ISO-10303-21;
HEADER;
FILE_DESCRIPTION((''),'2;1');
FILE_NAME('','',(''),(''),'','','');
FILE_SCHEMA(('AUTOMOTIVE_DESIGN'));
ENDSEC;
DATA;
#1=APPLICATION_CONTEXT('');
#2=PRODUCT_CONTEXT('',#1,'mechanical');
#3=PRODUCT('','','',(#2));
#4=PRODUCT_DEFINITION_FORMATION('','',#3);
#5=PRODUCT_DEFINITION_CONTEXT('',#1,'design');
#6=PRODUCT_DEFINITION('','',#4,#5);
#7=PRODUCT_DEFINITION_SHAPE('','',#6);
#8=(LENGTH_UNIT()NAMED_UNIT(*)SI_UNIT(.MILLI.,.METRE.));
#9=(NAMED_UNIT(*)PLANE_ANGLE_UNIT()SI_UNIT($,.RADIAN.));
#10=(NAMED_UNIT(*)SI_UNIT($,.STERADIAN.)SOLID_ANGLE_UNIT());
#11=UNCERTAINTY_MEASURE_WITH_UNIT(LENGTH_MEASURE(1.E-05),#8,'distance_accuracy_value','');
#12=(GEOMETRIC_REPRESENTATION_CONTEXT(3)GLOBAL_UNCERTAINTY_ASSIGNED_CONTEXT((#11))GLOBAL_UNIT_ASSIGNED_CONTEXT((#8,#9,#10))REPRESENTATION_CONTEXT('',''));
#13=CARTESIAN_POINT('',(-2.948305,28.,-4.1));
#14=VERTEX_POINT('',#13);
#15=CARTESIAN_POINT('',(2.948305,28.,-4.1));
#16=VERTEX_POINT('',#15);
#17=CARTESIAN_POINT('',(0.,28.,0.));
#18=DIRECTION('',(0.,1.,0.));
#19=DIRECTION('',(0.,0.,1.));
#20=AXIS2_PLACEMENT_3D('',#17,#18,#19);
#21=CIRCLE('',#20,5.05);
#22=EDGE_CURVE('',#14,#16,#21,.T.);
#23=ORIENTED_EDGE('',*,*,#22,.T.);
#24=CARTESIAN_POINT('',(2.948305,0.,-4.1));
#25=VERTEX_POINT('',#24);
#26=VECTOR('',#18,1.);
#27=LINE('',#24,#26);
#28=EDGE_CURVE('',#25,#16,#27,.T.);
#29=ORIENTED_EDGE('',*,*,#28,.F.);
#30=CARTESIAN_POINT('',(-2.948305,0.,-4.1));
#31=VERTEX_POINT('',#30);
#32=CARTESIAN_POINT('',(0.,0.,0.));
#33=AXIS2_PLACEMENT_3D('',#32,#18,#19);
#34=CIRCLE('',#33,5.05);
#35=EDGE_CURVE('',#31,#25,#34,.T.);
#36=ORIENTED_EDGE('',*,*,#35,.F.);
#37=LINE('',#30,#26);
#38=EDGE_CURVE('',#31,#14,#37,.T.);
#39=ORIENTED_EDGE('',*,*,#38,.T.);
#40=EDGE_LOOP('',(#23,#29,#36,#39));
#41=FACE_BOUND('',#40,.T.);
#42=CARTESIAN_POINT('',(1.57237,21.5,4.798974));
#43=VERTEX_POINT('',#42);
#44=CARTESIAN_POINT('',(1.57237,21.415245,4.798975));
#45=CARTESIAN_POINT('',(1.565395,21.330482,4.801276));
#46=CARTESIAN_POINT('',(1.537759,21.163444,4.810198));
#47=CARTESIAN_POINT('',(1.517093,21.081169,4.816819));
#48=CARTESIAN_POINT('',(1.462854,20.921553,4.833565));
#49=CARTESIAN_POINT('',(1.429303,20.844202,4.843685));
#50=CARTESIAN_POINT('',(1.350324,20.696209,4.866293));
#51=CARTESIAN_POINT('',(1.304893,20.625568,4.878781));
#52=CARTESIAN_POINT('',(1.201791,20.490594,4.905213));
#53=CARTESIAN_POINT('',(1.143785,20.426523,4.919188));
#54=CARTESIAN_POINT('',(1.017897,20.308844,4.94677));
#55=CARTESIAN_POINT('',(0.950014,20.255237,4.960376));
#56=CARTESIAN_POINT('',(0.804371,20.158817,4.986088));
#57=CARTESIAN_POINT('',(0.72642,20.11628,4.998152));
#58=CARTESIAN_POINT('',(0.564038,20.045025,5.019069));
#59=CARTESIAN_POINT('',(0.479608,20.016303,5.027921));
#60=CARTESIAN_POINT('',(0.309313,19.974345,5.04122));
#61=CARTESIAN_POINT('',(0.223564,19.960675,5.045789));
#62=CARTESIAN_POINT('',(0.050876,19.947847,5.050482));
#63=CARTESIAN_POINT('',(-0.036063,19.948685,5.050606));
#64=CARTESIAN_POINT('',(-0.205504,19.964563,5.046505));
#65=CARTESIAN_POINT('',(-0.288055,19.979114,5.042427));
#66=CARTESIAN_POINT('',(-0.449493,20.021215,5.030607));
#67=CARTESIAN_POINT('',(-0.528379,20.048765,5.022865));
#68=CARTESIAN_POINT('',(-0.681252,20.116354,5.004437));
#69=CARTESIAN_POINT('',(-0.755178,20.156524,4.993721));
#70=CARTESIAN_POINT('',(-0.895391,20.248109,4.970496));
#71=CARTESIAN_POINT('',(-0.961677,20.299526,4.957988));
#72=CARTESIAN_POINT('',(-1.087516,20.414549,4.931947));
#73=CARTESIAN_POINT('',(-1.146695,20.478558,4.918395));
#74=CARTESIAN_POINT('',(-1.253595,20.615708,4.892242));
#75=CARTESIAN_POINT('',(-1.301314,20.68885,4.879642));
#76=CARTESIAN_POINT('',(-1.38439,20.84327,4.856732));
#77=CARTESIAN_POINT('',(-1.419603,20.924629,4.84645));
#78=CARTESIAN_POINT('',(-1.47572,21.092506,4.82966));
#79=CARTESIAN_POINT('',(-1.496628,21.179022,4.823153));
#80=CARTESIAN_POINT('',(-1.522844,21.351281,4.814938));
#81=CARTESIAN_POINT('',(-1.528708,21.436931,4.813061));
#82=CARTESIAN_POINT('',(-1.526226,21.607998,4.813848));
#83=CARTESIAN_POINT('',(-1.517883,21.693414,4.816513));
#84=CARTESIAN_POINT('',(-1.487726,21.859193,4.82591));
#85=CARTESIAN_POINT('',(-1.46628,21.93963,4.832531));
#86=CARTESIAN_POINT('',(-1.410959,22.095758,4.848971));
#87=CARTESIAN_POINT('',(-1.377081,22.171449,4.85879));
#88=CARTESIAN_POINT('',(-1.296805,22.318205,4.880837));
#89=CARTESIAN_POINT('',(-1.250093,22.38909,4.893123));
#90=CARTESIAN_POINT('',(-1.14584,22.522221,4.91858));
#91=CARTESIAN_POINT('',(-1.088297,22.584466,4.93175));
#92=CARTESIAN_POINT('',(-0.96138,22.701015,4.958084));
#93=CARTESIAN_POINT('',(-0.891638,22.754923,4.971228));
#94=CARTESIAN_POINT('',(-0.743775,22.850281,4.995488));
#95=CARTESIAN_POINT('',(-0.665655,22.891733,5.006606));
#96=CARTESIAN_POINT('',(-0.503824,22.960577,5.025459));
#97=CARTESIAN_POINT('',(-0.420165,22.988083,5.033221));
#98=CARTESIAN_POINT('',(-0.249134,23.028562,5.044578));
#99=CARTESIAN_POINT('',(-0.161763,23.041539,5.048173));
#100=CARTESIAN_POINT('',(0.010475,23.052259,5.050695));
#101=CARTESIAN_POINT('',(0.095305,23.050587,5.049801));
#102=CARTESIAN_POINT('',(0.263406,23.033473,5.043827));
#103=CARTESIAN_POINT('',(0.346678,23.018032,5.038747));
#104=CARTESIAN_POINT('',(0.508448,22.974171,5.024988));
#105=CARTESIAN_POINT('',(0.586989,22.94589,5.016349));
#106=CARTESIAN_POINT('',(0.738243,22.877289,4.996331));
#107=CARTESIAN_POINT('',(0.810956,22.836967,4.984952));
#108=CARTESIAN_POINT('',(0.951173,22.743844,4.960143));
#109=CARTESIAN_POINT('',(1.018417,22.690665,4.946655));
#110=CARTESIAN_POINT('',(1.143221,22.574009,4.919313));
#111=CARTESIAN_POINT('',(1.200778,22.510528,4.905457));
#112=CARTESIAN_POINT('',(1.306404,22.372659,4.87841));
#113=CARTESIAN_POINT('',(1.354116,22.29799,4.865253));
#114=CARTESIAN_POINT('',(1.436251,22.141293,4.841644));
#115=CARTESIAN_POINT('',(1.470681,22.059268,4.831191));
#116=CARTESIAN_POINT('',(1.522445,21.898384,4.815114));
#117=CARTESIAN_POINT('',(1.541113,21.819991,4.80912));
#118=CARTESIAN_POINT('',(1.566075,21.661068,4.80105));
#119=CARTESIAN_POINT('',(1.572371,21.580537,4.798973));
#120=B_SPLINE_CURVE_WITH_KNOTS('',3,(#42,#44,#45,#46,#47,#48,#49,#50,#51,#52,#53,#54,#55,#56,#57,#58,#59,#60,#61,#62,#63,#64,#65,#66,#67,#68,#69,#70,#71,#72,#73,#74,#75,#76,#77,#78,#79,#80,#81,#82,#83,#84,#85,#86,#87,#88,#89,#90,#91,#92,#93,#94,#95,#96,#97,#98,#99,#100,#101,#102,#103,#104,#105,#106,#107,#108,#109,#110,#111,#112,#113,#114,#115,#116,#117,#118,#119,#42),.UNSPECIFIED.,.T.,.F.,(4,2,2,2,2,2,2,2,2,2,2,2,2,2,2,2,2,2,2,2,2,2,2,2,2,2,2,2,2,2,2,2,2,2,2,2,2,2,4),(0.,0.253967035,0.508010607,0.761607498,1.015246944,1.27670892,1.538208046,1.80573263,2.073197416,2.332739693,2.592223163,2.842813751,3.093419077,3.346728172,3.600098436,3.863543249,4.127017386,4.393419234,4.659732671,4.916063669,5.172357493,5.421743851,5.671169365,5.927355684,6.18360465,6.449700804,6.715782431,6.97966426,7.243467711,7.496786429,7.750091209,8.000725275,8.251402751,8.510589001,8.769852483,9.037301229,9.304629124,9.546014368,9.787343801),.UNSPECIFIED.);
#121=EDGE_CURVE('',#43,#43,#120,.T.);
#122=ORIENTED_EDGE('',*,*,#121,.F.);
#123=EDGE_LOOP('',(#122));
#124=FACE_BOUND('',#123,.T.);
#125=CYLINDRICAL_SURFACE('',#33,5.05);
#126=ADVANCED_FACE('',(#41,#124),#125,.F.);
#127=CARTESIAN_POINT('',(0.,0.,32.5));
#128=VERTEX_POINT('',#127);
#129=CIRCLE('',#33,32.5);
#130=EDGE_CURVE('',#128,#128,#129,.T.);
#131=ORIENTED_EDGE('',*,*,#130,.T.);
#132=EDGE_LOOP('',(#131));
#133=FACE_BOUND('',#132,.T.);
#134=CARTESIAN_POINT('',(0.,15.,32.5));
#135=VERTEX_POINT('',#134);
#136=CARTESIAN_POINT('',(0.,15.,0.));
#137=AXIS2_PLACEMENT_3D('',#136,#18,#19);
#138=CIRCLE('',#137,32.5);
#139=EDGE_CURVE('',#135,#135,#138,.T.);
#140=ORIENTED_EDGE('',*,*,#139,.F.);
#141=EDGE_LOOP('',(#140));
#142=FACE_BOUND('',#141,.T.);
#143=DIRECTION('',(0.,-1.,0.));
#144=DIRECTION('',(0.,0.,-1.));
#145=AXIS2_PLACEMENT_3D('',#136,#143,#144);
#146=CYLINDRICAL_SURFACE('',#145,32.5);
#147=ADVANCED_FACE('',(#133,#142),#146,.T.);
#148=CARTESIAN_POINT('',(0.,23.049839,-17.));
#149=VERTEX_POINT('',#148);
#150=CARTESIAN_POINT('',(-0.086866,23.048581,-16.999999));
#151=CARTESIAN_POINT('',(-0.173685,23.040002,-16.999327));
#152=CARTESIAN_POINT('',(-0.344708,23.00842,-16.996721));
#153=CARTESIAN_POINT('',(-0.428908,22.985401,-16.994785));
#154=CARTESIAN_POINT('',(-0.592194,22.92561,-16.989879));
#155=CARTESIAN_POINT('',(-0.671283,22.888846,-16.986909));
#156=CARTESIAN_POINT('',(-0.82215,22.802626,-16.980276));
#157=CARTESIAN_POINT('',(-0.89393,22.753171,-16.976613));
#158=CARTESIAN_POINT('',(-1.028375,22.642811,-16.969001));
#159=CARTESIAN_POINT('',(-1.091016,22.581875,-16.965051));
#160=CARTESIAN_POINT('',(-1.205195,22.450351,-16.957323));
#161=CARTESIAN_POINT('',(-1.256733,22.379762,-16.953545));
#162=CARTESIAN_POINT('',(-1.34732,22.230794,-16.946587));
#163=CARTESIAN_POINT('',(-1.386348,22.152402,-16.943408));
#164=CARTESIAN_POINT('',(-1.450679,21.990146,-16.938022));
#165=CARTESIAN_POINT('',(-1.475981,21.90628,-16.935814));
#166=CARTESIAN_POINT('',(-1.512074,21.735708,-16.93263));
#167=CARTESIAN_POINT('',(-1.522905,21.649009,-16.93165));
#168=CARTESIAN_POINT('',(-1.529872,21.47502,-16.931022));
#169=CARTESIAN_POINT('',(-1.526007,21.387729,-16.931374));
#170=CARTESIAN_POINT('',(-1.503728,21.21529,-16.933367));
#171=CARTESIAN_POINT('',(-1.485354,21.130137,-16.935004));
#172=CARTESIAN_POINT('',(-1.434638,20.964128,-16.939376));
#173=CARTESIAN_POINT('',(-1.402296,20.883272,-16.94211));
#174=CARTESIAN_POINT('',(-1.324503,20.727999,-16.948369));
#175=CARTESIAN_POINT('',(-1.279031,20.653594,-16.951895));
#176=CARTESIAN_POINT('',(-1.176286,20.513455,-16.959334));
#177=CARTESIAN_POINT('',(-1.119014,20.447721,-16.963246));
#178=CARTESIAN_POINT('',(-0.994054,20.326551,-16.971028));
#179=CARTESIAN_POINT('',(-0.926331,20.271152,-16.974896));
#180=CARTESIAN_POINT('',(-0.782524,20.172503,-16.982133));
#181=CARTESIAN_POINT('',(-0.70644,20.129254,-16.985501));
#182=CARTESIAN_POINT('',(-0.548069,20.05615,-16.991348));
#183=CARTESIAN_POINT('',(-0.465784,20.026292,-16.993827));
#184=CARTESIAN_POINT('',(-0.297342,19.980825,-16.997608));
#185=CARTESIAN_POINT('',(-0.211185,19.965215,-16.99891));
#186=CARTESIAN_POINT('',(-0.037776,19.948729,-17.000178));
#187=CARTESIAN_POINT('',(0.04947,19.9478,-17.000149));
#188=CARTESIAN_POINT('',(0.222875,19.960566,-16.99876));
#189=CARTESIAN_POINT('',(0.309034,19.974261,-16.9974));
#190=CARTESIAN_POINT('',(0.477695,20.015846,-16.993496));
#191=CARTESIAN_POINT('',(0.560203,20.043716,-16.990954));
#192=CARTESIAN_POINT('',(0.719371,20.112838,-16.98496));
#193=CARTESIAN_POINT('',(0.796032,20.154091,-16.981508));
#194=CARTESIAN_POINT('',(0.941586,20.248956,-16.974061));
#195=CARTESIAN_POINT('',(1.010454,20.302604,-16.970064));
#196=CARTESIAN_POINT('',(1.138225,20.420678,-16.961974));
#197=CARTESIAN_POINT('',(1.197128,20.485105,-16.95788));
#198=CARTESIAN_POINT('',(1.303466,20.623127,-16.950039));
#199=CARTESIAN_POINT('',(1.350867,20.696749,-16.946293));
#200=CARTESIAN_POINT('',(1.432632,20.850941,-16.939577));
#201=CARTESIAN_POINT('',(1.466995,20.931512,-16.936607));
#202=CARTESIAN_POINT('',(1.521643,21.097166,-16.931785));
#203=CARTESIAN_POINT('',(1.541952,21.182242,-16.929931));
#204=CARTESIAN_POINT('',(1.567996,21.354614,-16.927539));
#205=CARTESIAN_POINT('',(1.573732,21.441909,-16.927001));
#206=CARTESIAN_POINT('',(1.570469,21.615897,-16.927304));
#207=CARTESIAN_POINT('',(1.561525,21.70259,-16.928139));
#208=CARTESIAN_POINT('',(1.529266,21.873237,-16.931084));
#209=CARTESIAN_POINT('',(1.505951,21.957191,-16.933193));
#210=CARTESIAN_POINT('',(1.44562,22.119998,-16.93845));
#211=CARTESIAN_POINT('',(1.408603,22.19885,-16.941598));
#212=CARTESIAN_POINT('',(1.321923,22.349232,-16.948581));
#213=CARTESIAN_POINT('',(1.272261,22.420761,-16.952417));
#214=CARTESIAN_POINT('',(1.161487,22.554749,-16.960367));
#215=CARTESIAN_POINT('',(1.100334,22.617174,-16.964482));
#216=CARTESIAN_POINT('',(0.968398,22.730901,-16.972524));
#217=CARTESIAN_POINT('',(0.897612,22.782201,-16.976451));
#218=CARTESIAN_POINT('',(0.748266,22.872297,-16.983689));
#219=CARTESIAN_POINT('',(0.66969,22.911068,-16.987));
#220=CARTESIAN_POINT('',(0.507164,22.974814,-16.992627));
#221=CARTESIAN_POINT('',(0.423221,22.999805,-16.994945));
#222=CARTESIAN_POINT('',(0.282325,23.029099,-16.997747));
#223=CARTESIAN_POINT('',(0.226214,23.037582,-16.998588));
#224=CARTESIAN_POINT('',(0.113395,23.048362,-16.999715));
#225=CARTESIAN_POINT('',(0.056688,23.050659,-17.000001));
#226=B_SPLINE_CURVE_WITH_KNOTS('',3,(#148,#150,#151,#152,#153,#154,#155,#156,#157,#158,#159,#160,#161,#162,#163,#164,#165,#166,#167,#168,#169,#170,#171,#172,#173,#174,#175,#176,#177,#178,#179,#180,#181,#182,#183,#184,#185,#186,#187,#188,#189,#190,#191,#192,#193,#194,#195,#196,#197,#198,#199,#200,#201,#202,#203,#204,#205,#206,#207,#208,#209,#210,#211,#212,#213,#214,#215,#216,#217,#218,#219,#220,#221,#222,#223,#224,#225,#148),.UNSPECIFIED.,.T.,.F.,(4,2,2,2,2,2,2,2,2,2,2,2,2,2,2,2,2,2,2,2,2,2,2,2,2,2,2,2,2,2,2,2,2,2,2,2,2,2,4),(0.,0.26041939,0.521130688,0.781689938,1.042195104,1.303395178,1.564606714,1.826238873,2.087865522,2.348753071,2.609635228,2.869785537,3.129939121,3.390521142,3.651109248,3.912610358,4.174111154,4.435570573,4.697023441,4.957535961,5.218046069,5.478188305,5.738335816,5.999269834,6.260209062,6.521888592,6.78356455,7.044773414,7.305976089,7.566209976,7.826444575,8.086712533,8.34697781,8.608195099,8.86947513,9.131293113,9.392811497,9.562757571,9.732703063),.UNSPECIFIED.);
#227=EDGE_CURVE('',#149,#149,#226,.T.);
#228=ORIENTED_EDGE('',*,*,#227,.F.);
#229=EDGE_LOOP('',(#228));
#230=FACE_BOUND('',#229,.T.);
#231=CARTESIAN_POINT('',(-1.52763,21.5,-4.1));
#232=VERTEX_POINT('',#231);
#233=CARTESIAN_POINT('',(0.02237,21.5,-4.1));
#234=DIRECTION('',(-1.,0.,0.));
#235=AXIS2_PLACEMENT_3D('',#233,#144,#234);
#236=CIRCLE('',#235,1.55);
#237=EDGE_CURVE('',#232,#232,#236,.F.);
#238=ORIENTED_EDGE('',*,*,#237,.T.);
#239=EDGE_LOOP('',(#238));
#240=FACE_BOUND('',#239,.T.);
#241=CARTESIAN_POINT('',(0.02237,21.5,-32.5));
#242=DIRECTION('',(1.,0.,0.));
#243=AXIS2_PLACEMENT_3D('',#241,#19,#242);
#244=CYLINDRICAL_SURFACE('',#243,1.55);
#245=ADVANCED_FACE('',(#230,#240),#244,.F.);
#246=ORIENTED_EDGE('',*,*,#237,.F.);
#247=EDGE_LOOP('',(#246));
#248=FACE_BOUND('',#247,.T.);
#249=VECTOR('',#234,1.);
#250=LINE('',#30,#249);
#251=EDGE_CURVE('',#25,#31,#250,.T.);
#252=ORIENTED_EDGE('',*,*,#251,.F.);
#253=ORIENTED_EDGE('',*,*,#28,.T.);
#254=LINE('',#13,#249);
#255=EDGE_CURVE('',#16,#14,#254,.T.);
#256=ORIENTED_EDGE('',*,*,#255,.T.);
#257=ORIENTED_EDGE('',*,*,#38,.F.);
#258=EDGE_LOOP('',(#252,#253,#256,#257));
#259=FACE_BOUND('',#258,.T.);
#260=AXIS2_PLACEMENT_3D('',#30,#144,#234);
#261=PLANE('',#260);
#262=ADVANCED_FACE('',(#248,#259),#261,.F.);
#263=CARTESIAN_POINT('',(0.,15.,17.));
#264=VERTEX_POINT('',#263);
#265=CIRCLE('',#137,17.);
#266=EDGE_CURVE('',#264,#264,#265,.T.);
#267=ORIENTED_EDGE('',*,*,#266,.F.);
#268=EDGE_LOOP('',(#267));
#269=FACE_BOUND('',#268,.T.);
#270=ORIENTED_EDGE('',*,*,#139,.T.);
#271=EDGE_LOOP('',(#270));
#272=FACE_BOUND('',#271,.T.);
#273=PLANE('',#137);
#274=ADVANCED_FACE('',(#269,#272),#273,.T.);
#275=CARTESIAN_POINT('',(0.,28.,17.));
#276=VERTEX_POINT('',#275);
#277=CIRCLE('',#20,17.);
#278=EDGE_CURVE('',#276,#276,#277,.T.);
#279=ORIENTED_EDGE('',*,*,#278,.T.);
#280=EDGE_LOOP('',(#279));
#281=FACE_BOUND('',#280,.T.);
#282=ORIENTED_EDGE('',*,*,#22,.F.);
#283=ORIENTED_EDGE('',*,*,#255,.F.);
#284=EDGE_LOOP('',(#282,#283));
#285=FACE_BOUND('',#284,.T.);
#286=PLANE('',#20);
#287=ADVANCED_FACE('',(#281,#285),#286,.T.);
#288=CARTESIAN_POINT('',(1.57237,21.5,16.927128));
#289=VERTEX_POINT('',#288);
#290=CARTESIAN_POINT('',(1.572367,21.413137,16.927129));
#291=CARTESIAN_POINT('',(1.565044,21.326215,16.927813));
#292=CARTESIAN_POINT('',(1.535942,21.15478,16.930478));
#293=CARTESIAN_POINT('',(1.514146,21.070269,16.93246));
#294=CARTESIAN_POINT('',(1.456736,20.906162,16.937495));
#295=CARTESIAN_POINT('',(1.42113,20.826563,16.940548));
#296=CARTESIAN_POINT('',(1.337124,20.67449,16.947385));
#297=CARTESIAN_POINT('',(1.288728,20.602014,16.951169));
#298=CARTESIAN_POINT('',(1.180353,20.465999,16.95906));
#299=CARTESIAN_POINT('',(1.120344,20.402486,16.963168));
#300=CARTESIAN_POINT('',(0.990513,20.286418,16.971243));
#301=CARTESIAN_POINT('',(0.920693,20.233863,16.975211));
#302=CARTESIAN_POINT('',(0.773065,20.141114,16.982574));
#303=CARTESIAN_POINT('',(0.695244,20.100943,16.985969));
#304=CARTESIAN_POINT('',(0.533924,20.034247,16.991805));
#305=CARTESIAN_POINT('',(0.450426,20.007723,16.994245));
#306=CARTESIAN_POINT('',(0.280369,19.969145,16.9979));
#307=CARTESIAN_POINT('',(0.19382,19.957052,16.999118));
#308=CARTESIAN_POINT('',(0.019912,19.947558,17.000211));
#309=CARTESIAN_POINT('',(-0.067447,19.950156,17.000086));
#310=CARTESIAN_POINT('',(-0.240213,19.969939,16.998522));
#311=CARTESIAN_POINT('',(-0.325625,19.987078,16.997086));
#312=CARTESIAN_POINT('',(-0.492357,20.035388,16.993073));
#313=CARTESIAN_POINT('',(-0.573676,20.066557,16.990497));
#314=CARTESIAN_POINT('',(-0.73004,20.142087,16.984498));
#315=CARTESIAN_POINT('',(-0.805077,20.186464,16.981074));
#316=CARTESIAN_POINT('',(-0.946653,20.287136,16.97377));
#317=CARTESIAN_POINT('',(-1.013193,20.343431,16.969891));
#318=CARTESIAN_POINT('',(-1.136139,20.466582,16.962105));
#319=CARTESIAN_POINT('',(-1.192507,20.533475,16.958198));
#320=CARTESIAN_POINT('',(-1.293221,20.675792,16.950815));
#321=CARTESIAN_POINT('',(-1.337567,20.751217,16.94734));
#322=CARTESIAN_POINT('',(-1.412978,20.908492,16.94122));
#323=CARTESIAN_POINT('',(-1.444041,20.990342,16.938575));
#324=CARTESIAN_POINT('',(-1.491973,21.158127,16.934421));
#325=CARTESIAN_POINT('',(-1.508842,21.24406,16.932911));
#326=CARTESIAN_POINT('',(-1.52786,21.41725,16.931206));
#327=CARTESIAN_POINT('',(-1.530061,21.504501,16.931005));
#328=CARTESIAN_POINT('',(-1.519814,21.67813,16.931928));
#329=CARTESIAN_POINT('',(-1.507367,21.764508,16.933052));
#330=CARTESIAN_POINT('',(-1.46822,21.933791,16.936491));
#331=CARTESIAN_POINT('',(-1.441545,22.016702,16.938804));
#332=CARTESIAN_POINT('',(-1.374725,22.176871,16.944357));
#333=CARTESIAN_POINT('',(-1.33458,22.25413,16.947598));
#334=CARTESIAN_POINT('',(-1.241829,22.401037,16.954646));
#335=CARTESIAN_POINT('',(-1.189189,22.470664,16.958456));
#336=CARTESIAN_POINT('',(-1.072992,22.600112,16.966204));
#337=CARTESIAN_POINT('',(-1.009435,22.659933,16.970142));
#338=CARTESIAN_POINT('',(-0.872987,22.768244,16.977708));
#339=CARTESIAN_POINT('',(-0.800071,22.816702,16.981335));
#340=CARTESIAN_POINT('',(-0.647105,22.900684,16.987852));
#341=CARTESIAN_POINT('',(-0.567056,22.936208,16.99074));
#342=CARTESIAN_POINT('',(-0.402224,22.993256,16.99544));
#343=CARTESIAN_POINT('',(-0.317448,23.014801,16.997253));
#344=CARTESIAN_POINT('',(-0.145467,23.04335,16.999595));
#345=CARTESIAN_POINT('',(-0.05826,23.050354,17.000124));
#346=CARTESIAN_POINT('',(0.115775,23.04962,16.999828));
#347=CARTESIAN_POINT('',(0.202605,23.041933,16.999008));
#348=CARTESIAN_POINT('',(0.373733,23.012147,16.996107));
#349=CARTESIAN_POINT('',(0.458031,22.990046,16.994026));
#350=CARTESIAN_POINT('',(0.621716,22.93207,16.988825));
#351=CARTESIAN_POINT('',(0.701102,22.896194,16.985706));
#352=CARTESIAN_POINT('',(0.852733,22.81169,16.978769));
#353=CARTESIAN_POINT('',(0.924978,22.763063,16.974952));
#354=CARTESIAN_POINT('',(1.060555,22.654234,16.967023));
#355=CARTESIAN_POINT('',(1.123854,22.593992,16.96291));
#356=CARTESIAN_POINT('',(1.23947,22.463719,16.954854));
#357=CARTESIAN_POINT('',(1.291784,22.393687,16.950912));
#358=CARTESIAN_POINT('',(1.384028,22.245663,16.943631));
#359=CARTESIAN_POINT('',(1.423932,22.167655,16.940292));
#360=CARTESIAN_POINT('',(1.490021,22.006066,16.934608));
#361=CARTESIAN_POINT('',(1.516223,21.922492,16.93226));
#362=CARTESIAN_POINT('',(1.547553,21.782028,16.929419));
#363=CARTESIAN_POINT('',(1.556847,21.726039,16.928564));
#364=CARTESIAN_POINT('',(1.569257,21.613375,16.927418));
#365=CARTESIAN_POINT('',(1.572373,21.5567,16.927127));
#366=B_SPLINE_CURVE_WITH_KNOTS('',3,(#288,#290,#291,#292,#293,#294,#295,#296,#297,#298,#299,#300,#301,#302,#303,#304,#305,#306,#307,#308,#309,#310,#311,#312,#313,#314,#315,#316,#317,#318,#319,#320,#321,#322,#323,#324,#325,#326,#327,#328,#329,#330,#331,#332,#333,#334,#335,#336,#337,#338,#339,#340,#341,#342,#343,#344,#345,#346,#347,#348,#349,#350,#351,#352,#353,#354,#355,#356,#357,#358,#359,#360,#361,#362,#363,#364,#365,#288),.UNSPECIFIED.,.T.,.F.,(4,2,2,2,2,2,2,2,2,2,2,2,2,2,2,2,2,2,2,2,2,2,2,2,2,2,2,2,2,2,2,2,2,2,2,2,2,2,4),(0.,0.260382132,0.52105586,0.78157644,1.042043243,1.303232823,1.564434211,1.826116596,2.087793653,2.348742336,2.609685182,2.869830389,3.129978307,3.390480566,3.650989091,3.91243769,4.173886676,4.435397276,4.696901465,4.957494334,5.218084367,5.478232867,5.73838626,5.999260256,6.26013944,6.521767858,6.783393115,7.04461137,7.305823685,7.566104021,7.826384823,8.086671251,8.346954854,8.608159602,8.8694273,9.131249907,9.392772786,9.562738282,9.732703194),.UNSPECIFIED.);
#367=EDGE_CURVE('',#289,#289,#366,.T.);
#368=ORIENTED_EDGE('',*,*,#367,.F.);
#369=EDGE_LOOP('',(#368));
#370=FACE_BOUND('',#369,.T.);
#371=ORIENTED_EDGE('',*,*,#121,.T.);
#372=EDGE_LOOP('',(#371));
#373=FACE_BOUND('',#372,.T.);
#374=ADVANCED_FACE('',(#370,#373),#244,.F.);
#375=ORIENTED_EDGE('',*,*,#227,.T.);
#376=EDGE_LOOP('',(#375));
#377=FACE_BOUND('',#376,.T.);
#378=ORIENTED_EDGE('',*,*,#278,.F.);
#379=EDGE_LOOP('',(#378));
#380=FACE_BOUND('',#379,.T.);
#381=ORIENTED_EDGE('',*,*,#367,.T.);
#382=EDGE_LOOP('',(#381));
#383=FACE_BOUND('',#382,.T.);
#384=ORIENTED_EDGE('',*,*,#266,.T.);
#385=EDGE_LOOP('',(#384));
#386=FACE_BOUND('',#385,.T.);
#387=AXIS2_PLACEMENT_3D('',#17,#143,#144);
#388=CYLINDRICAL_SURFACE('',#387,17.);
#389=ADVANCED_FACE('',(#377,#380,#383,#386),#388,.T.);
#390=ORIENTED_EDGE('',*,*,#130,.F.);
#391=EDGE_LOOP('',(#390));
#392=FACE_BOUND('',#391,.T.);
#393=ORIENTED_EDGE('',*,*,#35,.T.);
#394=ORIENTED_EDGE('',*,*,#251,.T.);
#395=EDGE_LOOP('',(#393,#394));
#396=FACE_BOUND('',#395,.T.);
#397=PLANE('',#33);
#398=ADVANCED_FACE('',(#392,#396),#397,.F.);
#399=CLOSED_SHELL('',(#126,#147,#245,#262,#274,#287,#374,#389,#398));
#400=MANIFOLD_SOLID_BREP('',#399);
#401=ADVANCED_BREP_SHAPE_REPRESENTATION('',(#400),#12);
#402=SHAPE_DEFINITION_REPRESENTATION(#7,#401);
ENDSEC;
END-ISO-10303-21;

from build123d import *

# Parameters (mm, degrees)
SKETCH1_R               = 32.5
BOSS_EXTRUDE1_DEPTH     = 15
SKETCH2_R               = 17
BOSS_EXTRUDE2_DEPTH     = 13
CUT_EXTRUDE2_DEPTH      = 54.819141576
CUT_EXTRUDE2_DEPTH_BACK = 54.819141576
SKETCH3_R               = 1.55
CUT_EXTRUDE3_DEPTH      = 54.819141576


with BuildPart() as part:
    # Sketch1 → Boss-Extrude1 (new body)
    with BuildSketch(Plane(origin=(0, 0, 0), x_dir=(1, 0, 0), z_dir=(0, 1, 0))):
        with Locations(Location((0, 0, 0), (0, 0, 270))):
            Circle(SKETCH1_R)
    extrude(amount=BOSS_EXTRUDE1_DEPTH)

    # Sketch2 → Boss-Extrude2 (add)
    with BuildSketch(Plane(origin=(0, 15, 0), x_dir=(1, 0, 0), z_dir=(0, 1, 0))):
        with Locations(Location((0, 0, 0), (0, 0, 90))):
            Circle(SKETCH2_R)
    extrude(amount=BOSS_EXTRUDE2_DEPTH)

    # Sketch3 → Cut-Extrude2 (cut, two sides: drawn at the far end of the back side and taken through both)
    with BuildSketch(Plane.XY.offset(-CUT_EXTRUDE2_DEPTH_BACK)):
        with Locations((0.022370376, 21.5)):
            Circle(SKETCH3_R)
    extrude(amount=CUT_EXTRUDE2_DEPTH + CUT_EXTRUDE2_DEPTH_BACK, mode=Mode.SUBTRACT)

    # Sketch4 → Cut-Extrude3 (cut, through all)
    with BuildSketch(Plane(origin=(0, 28, 0), x_dir=(1, 0, 0), z_dir=(0, 1, 0))):
        with BuildLine():
            Line((-2.948304598, 4.1), (2.948304598, 4.1))
            ThreePointArc((2.948304598, 4.1), (0, -5.05), (-2.948304598, 4.1))
        make_face()
    extrude(amount=-CUT_EXTRUDE3_DEPTH, mode=Mode.SUBTRACT)


solid = part.part
